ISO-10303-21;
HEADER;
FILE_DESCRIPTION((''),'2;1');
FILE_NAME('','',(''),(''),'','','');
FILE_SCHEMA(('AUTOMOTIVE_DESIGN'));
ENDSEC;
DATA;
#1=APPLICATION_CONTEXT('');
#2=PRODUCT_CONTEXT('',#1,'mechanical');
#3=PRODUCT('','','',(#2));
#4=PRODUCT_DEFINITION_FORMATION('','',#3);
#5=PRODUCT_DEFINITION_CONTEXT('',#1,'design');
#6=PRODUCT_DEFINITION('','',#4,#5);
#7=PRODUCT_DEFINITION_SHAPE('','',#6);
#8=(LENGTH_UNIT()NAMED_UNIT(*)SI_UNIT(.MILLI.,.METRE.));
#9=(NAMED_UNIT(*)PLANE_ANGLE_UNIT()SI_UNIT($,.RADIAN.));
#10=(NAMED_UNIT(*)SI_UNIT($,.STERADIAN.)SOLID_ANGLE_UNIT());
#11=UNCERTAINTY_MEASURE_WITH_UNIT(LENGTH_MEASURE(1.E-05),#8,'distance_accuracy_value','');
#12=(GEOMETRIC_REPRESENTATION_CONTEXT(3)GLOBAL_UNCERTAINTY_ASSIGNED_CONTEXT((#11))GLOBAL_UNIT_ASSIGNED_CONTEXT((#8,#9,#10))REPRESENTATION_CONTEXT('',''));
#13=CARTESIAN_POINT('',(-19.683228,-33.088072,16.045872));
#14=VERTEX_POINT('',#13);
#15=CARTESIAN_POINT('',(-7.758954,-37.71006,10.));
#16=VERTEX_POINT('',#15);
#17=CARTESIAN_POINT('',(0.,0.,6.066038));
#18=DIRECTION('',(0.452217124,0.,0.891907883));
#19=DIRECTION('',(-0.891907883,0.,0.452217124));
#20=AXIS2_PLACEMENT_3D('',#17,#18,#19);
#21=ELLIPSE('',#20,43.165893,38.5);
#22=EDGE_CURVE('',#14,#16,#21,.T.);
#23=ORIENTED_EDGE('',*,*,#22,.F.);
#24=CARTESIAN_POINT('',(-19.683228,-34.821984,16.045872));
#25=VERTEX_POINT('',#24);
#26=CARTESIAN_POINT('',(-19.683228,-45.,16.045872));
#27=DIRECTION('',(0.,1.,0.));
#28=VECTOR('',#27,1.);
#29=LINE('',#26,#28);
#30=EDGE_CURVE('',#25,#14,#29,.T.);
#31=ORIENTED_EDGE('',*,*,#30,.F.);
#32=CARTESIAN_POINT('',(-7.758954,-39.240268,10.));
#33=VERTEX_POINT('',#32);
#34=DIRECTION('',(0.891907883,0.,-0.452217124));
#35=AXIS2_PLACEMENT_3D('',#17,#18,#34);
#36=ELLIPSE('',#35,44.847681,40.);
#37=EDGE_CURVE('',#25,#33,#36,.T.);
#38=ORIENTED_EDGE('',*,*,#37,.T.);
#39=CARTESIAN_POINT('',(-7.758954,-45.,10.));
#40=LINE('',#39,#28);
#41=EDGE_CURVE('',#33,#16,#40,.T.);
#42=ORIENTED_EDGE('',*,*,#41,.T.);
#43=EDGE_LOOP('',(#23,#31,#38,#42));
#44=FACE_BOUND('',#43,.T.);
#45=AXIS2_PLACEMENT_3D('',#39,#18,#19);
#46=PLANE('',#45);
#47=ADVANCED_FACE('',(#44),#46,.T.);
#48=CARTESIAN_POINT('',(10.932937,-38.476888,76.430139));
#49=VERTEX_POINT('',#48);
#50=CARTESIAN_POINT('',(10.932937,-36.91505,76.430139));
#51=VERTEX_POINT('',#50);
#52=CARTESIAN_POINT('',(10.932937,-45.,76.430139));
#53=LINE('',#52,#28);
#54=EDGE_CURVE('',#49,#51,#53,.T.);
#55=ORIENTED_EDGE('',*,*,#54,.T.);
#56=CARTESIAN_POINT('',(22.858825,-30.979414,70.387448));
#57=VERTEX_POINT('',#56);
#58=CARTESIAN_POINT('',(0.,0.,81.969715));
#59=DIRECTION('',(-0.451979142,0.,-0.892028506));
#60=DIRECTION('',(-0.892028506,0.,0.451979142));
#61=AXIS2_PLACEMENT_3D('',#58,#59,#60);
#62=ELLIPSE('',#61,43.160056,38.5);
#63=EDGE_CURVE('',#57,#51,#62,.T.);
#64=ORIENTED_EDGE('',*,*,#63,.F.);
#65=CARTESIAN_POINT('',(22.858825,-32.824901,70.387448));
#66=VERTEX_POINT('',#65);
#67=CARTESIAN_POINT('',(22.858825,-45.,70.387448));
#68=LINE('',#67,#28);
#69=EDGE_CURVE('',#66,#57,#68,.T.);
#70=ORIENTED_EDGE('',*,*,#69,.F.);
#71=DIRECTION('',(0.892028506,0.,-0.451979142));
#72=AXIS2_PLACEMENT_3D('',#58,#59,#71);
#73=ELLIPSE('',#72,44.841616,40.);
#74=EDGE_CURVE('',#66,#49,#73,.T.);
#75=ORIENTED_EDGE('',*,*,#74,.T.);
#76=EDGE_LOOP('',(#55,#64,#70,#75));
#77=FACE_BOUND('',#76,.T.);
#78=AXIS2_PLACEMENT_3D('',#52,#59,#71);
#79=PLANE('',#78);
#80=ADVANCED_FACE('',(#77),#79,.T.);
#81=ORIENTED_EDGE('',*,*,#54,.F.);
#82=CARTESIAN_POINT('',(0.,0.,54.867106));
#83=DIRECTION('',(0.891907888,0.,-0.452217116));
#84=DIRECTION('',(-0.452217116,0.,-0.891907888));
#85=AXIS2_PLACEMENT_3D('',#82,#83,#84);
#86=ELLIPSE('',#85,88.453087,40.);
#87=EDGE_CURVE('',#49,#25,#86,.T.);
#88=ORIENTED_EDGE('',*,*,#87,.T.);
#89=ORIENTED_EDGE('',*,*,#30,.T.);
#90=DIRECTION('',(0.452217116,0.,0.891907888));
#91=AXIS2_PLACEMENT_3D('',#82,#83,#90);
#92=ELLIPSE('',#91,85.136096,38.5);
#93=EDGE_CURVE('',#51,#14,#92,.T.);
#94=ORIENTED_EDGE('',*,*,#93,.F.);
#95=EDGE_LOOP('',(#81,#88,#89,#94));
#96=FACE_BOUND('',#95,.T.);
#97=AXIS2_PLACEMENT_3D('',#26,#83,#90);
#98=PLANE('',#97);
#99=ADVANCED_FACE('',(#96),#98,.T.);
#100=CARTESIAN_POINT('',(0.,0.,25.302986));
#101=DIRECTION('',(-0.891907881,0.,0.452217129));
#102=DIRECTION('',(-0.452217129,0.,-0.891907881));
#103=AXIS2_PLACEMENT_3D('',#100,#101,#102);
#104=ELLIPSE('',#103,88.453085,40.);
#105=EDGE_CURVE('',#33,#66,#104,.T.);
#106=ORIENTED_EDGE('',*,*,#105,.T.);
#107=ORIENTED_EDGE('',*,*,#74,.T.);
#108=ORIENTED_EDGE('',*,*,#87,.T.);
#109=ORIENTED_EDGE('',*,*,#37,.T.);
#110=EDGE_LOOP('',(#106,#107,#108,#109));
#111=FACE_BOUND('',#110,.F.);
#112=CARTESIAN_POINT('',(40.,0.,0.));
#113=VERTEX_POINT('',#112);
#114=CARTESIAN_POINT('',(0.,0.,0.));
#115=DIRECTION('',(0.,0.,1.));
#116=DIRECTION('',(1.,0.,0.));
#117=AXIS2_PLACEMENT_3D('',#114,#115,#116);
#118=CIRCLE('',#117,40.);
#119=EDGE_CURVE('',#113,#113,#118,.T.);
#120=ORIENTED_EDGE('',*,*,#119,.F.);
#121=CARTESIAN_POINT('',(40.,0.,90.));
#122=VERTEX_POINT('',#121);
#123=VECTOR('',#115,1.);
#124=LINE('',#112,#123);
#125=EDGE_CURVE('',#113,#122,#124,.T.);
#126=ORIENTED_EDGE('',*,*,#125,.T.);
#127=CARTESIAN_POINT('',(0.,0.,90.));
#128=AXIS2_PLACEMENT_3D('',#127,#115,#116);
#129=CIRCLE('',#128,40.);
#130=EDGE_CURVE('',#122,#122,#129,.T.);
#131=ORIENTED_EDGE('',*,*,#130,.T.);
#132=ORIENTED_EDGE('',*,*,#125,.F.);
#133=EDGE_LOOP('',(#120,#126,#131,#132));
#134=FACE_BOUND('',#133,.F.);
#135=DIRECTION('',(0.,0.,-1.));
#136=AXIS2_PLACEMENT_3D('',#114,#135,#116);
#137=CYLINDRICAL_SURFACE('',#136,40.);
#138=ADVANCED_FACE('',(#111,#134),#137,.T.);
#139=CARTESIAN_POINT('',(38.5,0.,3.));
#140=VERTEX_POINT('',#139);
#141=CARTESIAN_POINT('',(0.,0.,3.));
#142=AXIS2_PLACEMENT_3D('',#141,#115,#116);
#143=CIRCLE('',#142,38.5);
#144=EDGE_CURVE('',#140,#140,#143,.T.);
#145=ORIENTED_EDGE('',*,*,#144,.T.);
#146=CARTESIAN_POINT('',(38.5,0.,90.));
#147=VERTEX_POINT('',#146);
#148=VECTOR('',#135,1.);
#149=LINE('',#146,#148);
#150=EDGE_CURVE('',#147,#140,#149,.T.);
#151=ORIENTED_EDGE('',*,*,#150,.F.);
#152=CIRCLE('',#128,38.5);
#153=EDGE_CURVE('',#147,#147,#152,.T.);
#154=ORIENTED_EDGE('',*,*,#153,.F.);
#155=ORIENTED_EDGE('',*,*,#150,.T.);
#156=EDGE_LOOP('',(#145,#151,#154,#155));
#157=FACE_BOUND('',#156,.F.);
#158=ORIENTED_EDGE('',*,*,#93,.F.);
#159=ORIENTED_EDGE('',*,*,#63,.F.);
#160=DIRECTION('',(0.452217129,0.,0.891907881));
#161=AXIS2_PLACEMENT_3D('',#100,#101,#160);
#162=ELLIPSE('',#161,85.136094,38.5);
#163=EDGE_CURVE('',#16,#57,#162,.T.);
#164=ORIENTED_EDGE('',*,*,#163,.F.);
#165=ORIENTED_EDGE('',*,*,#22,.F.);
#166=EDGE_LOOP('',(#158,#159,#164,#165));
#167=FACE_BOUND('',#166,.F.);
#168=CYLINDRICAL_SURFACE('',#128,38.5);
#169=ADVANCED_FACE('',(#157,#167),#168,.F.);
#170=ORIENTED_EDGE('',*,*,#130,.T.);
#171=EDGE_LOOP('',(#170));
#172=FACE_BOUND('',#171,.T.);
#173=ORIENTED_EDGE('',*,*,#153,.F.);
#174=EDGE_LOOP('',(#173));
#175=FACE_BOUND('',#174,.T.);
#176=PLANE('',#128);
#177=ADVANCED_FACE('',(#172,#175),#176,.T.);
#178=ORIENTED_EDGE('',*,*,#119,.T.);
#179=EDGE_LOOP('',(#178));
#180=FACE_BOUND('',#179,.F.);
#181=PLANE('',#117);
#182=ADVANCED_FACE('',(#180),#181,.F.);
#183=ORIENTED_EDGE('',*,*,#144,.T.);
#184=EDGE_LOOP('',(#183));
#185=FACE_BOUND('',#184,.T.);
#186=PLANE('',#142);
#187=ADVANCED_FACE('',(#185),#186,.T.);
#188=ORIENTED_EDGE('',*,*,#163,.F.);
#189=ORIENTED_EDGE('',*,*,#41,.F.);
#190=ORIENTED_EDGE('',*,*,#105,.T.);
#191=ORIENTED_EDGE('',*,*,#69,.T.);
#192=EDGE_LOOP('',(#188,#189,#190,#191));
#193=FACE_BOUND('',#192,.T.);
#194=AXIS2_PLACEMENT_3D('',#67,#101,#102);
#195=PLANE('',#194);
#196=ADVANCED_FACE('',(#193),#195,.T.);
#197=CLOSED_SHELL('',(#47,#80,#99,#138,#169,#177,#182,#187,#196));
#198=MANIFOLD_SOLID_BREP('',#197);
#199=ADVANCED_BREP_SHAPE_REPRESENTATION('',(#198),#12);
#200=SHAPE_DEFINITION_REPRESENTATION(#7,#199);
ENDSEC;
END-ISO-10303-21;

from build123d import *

# Parameters (mm, degrees)
SKETCH_R        = 40
PAD_DEPTH       = 90
SKETCH001_R     = 38.5
POCKET_DEPTH    = 87
POCKET001_DEPTH = 50


with BuildPart() as part:
    # Sketch → Pad (new body)
    with BuildSketch(Plane.XY):
        Circle(SKETCH_R)
    extrude(amount=PAD_DEPTH)

    # Sketch001 (on Face3 of Pad) → Pocket (cut)
    with BuildSketch(Plane.XY.offset(90)):
        Circle(SKETCH001_R)
    extrude(amount=-POCKET_DEPTH, mode=Mode.SUBTRACT)

    # Sketch002 → Pocket001 (cut)
    with BuildSketch(Plane.XZ.offset(45)):
        Polygon((-19.683228, 16.045872), (10.932937, 76.430139), (22.858825, 70.387448), (-7.758954, 10), align=None)
    extrude(amount=-POCKET001_DEPTH, mode=Mode.SUBTRACT)


solid = part.part
